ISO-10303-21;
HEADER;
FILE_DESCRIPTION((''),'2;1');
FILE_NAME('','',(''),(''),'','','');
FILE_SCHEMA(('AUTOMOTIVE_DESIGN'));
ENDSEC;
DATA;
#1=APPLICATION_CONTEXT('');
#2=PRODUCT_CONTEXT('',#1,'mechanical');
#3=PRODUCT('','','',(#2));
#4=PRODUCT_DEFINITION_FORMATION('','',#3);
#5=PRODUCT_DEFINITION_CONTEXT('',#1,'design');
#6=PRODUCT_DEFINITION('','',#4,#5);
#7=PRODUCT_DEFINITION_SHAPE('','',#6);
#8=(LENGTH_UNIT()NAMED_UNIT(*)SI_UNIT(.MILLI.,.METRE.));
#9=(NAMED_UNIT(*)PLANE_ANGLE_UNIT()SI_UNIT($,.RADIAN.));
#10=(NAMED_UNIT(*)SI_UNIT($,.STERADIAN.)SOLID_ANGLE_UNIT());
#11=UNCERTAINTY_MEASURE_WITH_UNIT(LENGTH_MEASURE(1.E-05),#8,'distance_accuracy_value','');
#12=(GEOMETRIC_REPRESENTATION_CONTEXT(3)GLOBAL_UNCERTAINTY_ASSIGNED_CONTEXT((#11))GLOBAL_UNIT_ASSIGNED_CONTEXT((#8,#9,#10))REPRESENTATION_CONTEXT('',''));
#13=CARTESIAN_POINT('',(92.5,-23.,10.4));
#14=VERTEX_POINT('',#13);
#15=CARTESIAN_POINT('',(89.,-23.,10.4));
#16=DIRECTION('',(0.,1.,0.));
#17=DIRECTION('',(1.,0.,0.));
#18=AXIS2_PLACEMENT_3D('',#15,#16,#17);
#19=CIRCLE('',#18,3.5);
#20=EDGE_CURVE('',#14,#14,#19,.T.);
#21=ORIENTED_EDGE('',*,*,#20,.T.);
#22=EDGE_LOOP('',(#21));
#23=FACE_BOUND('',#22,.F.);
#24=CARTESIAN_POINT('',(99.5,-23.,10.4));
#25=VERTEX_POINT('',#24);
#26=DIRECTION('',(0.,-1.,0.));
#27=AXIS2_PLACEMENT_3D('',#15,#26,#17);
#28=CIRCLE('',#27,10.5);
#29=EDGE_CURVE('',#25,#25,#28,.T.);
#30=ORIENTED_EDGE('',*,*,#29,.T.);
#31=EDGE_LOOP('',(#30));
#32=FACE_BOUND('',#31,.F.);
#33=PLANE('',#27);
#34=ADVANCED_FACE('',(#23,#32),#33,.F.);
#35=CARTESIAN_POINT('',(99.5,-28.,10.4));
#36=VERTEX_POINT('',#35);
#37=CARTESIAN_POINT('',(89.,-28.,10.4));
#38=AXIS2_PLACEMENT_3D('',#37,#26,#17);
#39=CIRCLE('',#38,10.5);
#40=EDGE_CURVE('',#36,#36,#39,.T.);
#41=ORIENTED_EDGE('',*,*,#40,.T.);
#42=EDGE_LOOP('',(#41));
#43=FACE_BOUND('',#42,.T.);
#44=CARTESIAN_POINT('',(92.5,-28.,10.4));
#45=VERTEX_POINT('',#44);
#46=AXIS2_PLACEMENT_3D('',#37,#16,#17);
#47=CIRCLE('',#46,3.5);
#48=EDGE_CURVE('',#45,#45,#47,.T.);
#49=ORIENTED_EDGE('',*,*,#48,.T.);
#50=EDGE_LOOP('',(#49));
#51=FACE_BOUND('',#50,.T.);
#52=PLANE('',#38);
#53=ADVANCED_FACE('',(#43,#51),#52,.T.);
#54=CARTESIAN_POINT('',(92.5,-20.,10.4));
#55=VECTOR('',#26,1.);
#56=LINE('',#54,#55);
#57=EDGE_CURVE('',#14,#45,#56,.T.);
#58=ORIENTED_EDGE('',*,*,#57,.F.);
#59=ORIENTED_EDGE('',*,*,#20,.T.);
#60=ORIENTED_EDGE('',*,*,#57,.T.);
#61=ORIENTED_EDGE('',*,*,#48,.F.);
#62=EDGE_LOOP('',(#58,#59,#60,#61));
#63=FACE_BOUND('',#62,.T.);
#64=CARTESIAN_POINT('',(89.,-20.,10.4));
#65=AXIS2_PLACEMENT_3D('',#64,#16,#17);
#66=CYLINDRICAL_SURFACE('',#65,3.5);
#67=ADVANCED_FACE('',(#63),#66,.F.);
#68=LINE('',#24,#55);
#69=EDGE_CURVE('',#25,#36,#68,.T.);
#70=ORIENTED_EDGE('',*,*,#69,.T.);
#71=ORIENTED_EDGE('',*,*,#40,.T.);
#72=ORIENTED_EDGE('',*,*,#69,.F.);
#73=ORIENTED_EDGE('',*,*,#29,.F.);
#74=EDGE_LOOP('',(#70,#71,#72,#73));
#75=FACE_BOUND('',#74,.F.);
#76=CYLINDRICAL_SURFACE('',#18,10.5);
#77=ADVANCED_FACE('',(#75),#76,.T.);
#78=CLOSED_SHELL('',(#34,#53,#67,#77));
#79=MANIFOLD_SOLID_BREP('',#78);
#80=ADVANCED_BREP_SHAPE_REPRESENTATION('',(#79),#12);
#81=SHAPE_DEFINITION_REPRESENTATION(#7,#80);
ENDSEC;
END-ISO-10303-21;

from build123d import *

# Parameters (mm, degrees)
CYLINDER001_R             = 3.5
CYLINDER001_DEPTH         = 10
CYLINDER_R                = 10.5
CYLINDER_DEPTH            = 5
CUT005005_PLACEMENT_ANGLE = 90


with BuildPart() as cylinder001:
    # Cylinder001 → Cylinder001 (new body)
    with BuildSketch(Plane.XY.offset(-3)):
        Circle(CYLINDER001_R)
    extrude(amount=CYLINDER001_DEPTH)


with BuildPart() as iman_grande_no_fuerte:
    # Cylinder → Cylinder (new body)
    with BuildSketch(Plane.XY):
        Circle(CYLINDER_R)
    extrude(amount=CYLINDER_DEPTH)

    # Cut005005: cut Cylinder001
    add(cylinder001.part, mode=Mode.SUBTRACT)


with BuildPart() as iman_grande_no_fuerte_1:
    # Cut005005 placement: moved
    add(iman_grande_no_fuerte.part.moved(Location((89, -23, 10.4))).rotate(Axis((89, -23, 10.4), (1, 0, 0)), CUT005005_PLACEMENT_ANGLE))


solid = iman_grande_no_fuerte_1.part
